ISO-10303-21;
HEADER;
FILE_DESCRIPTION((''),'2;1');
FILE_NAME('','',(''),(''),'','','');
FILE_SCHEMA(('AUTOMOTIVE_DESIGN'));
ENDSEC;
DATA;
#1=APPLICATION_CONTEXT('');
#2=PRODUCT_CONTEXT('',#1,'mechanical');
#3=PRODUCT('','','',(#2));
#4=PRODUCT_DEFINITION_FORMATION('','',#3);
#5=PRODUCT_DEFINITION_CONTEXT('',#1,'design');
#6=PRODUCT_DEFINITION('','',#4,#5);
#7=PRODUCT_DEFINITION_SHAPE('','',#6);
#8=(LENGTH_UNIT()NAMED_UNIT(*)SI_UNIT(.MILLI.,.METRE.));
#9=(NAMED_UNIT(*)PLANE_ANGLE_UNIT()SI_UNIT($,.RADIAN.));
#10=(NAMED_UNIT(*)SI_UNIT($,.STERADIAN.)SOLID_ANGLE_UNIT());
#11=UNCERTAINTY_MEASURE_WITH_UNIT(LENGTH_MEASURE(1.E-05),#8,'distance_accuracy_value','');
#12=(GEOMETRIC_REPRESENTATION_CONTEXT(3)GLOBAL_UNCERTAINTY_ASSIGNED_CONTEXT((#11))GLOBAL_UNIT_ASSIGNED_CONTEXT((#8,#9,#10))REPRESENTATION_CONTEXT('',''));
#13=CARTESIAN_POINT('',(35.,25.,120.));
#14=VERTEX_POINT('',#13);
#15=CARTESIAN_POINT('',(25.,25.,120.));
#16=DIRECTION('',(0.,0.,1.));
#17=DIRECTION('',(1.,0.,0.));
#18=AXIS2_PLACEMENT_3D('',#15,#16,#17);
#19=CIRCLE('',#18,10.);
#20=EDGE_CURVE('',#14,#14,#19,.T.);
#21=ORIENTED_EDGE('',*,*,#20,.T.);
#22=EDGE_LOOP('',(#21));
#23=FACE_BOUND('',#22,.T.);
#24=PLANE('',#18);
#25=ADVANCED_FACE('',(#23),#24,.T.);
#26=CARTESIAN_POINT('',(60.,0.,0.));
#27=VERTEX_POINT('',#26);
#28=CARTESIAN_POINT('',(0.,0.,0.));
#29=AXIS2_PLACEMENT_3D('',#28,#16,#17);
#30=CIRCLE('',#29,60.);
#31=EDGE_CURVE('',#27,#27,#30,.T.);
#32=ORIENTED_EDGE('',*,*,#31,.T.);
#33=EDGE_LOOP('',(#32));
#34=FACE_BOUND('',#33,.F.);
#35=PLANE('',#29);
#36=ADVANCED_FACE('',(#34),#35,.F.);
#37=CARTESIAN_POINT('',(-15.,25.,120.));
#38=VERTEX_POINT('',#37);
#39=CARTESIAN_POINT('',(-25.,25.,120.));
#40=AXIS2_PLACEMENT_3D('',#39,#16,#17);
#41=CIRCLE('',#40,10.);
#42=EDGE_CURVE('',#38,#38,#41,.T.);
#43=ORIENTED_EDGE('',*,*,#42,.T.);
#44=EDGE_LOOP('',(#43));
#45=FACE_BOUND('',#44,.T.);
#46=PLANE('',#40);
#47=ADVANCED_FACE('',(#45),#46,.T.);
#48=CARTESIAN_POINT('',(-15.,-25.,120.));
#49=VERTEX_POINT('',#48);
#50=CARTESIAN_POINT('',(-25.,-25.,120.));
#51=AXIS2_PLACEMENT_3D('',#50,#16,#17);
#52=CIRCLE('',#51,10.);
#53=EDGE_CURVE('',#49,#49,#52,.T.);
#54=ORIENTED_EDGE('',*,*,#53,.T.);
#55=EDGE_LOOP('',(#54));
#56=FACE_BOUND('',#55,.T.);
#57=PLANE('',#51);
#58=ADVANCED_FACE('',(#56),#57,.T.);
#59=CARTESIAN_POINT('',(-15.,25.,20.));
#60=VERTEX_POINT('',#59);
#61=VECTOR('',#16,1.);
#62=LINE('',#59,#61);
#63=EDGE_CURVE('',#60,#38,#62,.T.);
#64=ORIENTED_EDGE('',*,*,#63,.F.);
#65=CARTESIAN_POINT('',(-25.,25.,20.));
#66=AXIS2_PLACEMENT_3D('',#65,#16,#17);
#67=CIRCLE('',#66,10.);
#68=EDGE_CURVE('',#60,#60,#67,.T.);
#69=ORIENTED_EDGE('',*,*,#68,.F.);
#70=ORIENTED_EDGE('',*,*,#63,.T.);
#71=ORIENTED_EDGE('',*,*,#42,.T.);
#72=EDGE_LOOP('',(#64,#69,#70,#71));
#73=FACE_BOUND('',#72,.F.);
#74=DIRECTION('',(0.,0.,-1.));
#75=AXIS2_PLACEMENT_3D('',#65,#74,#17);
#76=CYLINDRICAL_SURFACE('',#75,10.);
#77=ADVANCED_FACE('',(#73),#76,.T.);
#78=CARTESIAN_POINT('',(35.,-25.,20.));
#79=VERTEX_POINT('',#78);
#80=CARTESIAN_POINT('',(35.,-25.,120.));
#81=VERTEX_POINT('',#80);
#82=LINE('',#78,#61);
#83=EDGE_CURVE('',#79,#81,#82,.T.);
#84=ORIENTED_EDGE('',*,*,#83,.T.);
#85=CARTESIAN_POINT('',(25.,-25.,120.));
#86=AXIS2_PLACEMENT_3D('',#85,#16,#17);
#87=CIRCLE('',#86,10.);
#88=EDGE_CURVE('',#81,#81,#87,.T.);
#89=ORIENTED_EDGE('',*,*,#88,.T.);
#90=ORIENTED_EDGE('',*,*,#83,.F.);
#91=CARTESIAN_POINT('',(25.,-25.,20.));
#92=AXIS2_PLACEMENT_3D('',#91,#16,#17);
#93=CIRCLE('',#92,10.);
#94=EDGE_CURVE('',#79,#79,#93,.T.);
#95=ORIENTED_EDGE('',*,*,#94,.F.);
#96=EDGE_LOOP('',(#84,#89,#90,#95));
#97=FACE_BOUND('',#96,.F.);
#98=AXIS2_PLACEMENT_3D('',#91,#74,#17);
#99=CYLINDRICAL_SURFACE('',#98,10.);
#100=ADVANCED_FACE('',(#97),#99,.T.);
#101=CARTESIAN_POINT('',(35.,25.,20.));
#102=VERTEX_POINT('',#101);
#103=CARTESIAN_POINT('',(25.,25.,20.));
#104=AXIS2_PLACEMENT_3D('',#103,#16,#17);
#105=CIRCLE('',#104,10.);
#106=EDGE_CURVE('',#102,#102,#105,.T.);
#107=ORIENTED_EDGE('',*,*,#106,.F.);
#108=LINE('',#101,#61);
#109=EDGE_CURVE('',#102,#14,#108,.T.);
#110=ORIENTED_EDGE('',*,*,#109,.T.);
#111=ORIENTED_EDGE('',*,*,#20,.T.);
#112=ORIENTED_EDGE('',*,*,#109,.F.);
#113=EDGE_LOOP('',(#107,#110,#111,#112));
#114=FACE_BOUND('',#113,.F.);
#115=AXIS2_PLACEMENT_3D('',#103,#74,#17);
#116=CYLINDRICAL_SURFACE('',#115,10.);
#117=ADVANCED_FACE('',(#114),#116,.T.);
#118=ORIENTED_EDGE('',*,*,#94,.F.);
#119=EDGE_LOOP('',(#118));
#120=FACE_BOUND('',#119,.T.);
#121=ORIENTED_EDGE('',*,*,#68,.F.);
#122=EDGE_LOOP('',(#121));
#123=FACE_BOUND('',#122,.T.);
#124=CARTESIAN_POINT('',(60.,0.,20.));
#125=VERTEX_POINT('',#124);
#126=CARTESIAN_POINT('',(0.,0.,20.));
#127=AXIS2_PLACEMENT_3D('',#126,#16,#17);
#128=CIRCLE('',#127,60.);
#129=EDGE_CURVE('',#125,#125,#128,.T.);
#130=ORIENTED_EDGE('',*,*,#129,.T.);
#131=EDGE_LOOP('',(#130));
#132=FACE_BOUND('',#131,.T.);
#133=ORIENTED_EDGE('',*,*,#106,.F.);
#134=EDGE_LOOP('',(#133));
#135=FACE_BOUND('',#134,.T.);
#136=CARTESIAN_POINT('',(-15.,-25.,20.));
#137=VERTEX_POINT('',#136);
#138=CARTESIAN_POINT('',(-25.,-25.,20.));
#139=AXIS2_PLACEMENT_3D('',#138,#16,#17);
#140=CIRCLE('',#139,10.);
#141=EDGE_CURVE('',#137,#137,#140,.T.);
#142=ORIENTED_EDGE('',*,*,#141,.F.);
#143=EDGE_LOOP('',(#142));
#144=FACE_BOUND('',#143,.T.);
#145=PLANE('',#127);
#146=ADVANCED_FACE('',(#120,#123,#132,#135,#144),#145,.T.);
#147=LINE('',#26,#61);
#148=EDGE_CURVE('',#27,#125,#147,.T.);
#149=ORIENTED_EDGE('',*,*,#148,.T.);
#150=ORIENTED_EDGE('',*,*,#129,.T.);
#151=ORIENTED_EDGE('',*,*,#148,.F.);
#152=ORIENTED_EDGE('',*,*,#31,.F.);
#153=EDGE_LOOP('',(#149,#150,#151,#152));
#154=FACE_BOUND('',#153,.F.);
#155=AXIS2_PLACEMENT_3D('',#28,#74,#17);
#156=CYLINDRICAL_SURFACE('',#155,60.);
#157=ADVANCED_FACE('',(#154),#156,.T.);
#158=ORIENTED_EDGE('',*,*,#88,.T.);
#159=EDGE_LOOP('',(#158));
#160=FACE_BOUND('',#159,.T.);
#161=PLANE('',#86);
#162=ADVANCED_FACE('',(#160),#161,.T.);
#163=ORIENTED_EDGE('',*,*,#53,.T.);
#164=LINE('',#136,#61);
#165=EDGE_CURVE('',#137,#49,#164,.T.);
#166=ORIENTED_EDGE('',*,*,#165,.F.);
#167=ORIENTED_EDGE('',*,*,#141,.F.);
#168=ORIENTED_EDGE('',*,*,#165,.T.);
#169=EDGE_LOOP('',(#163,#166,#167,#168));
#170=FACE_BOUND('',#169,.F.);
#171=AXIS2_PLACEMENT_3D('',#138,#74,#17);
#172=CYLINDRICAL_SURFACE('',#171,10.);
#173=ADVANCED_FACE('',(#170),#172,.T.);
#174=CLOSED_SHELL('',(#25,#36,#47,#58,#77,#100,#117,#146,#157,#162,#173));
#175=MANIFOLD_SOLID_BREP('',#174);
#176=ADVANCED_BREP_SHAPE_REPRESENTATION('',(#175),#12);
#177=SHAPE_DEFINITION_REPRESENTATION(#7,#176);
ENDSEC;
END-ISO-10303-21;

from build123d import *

# Parameters (mm, degrees)
SKETCH_R     = 60
PAD_DEPTH    = 20
SKETCH001_R  = 10
PAD001_DEPTH = 100


with BuildPart() as part:
    # Sketch → Pad (new body)
    with BuildSketch(Plane.XY):
        Circle(SKETCH_R)
    extrude(amount=PAD_DEPTH)

    # Sketch001 → Pad001 (new body)
    with BuildSketch(Plane.XY.offset(20)):
        with Locations((-25, 25)):
            Circle(SKETCH001_R)
        with Locations((25, 25)):
            Circle(SKETCH001_R)
        with Locations((-25, -25)):
            Circle(SKETCH001_R)
        with Locations((25, -25)):
            Circle(SKETCH001_R)
    extrude(amount=PAD001_DEPTH)


solid = part.part
